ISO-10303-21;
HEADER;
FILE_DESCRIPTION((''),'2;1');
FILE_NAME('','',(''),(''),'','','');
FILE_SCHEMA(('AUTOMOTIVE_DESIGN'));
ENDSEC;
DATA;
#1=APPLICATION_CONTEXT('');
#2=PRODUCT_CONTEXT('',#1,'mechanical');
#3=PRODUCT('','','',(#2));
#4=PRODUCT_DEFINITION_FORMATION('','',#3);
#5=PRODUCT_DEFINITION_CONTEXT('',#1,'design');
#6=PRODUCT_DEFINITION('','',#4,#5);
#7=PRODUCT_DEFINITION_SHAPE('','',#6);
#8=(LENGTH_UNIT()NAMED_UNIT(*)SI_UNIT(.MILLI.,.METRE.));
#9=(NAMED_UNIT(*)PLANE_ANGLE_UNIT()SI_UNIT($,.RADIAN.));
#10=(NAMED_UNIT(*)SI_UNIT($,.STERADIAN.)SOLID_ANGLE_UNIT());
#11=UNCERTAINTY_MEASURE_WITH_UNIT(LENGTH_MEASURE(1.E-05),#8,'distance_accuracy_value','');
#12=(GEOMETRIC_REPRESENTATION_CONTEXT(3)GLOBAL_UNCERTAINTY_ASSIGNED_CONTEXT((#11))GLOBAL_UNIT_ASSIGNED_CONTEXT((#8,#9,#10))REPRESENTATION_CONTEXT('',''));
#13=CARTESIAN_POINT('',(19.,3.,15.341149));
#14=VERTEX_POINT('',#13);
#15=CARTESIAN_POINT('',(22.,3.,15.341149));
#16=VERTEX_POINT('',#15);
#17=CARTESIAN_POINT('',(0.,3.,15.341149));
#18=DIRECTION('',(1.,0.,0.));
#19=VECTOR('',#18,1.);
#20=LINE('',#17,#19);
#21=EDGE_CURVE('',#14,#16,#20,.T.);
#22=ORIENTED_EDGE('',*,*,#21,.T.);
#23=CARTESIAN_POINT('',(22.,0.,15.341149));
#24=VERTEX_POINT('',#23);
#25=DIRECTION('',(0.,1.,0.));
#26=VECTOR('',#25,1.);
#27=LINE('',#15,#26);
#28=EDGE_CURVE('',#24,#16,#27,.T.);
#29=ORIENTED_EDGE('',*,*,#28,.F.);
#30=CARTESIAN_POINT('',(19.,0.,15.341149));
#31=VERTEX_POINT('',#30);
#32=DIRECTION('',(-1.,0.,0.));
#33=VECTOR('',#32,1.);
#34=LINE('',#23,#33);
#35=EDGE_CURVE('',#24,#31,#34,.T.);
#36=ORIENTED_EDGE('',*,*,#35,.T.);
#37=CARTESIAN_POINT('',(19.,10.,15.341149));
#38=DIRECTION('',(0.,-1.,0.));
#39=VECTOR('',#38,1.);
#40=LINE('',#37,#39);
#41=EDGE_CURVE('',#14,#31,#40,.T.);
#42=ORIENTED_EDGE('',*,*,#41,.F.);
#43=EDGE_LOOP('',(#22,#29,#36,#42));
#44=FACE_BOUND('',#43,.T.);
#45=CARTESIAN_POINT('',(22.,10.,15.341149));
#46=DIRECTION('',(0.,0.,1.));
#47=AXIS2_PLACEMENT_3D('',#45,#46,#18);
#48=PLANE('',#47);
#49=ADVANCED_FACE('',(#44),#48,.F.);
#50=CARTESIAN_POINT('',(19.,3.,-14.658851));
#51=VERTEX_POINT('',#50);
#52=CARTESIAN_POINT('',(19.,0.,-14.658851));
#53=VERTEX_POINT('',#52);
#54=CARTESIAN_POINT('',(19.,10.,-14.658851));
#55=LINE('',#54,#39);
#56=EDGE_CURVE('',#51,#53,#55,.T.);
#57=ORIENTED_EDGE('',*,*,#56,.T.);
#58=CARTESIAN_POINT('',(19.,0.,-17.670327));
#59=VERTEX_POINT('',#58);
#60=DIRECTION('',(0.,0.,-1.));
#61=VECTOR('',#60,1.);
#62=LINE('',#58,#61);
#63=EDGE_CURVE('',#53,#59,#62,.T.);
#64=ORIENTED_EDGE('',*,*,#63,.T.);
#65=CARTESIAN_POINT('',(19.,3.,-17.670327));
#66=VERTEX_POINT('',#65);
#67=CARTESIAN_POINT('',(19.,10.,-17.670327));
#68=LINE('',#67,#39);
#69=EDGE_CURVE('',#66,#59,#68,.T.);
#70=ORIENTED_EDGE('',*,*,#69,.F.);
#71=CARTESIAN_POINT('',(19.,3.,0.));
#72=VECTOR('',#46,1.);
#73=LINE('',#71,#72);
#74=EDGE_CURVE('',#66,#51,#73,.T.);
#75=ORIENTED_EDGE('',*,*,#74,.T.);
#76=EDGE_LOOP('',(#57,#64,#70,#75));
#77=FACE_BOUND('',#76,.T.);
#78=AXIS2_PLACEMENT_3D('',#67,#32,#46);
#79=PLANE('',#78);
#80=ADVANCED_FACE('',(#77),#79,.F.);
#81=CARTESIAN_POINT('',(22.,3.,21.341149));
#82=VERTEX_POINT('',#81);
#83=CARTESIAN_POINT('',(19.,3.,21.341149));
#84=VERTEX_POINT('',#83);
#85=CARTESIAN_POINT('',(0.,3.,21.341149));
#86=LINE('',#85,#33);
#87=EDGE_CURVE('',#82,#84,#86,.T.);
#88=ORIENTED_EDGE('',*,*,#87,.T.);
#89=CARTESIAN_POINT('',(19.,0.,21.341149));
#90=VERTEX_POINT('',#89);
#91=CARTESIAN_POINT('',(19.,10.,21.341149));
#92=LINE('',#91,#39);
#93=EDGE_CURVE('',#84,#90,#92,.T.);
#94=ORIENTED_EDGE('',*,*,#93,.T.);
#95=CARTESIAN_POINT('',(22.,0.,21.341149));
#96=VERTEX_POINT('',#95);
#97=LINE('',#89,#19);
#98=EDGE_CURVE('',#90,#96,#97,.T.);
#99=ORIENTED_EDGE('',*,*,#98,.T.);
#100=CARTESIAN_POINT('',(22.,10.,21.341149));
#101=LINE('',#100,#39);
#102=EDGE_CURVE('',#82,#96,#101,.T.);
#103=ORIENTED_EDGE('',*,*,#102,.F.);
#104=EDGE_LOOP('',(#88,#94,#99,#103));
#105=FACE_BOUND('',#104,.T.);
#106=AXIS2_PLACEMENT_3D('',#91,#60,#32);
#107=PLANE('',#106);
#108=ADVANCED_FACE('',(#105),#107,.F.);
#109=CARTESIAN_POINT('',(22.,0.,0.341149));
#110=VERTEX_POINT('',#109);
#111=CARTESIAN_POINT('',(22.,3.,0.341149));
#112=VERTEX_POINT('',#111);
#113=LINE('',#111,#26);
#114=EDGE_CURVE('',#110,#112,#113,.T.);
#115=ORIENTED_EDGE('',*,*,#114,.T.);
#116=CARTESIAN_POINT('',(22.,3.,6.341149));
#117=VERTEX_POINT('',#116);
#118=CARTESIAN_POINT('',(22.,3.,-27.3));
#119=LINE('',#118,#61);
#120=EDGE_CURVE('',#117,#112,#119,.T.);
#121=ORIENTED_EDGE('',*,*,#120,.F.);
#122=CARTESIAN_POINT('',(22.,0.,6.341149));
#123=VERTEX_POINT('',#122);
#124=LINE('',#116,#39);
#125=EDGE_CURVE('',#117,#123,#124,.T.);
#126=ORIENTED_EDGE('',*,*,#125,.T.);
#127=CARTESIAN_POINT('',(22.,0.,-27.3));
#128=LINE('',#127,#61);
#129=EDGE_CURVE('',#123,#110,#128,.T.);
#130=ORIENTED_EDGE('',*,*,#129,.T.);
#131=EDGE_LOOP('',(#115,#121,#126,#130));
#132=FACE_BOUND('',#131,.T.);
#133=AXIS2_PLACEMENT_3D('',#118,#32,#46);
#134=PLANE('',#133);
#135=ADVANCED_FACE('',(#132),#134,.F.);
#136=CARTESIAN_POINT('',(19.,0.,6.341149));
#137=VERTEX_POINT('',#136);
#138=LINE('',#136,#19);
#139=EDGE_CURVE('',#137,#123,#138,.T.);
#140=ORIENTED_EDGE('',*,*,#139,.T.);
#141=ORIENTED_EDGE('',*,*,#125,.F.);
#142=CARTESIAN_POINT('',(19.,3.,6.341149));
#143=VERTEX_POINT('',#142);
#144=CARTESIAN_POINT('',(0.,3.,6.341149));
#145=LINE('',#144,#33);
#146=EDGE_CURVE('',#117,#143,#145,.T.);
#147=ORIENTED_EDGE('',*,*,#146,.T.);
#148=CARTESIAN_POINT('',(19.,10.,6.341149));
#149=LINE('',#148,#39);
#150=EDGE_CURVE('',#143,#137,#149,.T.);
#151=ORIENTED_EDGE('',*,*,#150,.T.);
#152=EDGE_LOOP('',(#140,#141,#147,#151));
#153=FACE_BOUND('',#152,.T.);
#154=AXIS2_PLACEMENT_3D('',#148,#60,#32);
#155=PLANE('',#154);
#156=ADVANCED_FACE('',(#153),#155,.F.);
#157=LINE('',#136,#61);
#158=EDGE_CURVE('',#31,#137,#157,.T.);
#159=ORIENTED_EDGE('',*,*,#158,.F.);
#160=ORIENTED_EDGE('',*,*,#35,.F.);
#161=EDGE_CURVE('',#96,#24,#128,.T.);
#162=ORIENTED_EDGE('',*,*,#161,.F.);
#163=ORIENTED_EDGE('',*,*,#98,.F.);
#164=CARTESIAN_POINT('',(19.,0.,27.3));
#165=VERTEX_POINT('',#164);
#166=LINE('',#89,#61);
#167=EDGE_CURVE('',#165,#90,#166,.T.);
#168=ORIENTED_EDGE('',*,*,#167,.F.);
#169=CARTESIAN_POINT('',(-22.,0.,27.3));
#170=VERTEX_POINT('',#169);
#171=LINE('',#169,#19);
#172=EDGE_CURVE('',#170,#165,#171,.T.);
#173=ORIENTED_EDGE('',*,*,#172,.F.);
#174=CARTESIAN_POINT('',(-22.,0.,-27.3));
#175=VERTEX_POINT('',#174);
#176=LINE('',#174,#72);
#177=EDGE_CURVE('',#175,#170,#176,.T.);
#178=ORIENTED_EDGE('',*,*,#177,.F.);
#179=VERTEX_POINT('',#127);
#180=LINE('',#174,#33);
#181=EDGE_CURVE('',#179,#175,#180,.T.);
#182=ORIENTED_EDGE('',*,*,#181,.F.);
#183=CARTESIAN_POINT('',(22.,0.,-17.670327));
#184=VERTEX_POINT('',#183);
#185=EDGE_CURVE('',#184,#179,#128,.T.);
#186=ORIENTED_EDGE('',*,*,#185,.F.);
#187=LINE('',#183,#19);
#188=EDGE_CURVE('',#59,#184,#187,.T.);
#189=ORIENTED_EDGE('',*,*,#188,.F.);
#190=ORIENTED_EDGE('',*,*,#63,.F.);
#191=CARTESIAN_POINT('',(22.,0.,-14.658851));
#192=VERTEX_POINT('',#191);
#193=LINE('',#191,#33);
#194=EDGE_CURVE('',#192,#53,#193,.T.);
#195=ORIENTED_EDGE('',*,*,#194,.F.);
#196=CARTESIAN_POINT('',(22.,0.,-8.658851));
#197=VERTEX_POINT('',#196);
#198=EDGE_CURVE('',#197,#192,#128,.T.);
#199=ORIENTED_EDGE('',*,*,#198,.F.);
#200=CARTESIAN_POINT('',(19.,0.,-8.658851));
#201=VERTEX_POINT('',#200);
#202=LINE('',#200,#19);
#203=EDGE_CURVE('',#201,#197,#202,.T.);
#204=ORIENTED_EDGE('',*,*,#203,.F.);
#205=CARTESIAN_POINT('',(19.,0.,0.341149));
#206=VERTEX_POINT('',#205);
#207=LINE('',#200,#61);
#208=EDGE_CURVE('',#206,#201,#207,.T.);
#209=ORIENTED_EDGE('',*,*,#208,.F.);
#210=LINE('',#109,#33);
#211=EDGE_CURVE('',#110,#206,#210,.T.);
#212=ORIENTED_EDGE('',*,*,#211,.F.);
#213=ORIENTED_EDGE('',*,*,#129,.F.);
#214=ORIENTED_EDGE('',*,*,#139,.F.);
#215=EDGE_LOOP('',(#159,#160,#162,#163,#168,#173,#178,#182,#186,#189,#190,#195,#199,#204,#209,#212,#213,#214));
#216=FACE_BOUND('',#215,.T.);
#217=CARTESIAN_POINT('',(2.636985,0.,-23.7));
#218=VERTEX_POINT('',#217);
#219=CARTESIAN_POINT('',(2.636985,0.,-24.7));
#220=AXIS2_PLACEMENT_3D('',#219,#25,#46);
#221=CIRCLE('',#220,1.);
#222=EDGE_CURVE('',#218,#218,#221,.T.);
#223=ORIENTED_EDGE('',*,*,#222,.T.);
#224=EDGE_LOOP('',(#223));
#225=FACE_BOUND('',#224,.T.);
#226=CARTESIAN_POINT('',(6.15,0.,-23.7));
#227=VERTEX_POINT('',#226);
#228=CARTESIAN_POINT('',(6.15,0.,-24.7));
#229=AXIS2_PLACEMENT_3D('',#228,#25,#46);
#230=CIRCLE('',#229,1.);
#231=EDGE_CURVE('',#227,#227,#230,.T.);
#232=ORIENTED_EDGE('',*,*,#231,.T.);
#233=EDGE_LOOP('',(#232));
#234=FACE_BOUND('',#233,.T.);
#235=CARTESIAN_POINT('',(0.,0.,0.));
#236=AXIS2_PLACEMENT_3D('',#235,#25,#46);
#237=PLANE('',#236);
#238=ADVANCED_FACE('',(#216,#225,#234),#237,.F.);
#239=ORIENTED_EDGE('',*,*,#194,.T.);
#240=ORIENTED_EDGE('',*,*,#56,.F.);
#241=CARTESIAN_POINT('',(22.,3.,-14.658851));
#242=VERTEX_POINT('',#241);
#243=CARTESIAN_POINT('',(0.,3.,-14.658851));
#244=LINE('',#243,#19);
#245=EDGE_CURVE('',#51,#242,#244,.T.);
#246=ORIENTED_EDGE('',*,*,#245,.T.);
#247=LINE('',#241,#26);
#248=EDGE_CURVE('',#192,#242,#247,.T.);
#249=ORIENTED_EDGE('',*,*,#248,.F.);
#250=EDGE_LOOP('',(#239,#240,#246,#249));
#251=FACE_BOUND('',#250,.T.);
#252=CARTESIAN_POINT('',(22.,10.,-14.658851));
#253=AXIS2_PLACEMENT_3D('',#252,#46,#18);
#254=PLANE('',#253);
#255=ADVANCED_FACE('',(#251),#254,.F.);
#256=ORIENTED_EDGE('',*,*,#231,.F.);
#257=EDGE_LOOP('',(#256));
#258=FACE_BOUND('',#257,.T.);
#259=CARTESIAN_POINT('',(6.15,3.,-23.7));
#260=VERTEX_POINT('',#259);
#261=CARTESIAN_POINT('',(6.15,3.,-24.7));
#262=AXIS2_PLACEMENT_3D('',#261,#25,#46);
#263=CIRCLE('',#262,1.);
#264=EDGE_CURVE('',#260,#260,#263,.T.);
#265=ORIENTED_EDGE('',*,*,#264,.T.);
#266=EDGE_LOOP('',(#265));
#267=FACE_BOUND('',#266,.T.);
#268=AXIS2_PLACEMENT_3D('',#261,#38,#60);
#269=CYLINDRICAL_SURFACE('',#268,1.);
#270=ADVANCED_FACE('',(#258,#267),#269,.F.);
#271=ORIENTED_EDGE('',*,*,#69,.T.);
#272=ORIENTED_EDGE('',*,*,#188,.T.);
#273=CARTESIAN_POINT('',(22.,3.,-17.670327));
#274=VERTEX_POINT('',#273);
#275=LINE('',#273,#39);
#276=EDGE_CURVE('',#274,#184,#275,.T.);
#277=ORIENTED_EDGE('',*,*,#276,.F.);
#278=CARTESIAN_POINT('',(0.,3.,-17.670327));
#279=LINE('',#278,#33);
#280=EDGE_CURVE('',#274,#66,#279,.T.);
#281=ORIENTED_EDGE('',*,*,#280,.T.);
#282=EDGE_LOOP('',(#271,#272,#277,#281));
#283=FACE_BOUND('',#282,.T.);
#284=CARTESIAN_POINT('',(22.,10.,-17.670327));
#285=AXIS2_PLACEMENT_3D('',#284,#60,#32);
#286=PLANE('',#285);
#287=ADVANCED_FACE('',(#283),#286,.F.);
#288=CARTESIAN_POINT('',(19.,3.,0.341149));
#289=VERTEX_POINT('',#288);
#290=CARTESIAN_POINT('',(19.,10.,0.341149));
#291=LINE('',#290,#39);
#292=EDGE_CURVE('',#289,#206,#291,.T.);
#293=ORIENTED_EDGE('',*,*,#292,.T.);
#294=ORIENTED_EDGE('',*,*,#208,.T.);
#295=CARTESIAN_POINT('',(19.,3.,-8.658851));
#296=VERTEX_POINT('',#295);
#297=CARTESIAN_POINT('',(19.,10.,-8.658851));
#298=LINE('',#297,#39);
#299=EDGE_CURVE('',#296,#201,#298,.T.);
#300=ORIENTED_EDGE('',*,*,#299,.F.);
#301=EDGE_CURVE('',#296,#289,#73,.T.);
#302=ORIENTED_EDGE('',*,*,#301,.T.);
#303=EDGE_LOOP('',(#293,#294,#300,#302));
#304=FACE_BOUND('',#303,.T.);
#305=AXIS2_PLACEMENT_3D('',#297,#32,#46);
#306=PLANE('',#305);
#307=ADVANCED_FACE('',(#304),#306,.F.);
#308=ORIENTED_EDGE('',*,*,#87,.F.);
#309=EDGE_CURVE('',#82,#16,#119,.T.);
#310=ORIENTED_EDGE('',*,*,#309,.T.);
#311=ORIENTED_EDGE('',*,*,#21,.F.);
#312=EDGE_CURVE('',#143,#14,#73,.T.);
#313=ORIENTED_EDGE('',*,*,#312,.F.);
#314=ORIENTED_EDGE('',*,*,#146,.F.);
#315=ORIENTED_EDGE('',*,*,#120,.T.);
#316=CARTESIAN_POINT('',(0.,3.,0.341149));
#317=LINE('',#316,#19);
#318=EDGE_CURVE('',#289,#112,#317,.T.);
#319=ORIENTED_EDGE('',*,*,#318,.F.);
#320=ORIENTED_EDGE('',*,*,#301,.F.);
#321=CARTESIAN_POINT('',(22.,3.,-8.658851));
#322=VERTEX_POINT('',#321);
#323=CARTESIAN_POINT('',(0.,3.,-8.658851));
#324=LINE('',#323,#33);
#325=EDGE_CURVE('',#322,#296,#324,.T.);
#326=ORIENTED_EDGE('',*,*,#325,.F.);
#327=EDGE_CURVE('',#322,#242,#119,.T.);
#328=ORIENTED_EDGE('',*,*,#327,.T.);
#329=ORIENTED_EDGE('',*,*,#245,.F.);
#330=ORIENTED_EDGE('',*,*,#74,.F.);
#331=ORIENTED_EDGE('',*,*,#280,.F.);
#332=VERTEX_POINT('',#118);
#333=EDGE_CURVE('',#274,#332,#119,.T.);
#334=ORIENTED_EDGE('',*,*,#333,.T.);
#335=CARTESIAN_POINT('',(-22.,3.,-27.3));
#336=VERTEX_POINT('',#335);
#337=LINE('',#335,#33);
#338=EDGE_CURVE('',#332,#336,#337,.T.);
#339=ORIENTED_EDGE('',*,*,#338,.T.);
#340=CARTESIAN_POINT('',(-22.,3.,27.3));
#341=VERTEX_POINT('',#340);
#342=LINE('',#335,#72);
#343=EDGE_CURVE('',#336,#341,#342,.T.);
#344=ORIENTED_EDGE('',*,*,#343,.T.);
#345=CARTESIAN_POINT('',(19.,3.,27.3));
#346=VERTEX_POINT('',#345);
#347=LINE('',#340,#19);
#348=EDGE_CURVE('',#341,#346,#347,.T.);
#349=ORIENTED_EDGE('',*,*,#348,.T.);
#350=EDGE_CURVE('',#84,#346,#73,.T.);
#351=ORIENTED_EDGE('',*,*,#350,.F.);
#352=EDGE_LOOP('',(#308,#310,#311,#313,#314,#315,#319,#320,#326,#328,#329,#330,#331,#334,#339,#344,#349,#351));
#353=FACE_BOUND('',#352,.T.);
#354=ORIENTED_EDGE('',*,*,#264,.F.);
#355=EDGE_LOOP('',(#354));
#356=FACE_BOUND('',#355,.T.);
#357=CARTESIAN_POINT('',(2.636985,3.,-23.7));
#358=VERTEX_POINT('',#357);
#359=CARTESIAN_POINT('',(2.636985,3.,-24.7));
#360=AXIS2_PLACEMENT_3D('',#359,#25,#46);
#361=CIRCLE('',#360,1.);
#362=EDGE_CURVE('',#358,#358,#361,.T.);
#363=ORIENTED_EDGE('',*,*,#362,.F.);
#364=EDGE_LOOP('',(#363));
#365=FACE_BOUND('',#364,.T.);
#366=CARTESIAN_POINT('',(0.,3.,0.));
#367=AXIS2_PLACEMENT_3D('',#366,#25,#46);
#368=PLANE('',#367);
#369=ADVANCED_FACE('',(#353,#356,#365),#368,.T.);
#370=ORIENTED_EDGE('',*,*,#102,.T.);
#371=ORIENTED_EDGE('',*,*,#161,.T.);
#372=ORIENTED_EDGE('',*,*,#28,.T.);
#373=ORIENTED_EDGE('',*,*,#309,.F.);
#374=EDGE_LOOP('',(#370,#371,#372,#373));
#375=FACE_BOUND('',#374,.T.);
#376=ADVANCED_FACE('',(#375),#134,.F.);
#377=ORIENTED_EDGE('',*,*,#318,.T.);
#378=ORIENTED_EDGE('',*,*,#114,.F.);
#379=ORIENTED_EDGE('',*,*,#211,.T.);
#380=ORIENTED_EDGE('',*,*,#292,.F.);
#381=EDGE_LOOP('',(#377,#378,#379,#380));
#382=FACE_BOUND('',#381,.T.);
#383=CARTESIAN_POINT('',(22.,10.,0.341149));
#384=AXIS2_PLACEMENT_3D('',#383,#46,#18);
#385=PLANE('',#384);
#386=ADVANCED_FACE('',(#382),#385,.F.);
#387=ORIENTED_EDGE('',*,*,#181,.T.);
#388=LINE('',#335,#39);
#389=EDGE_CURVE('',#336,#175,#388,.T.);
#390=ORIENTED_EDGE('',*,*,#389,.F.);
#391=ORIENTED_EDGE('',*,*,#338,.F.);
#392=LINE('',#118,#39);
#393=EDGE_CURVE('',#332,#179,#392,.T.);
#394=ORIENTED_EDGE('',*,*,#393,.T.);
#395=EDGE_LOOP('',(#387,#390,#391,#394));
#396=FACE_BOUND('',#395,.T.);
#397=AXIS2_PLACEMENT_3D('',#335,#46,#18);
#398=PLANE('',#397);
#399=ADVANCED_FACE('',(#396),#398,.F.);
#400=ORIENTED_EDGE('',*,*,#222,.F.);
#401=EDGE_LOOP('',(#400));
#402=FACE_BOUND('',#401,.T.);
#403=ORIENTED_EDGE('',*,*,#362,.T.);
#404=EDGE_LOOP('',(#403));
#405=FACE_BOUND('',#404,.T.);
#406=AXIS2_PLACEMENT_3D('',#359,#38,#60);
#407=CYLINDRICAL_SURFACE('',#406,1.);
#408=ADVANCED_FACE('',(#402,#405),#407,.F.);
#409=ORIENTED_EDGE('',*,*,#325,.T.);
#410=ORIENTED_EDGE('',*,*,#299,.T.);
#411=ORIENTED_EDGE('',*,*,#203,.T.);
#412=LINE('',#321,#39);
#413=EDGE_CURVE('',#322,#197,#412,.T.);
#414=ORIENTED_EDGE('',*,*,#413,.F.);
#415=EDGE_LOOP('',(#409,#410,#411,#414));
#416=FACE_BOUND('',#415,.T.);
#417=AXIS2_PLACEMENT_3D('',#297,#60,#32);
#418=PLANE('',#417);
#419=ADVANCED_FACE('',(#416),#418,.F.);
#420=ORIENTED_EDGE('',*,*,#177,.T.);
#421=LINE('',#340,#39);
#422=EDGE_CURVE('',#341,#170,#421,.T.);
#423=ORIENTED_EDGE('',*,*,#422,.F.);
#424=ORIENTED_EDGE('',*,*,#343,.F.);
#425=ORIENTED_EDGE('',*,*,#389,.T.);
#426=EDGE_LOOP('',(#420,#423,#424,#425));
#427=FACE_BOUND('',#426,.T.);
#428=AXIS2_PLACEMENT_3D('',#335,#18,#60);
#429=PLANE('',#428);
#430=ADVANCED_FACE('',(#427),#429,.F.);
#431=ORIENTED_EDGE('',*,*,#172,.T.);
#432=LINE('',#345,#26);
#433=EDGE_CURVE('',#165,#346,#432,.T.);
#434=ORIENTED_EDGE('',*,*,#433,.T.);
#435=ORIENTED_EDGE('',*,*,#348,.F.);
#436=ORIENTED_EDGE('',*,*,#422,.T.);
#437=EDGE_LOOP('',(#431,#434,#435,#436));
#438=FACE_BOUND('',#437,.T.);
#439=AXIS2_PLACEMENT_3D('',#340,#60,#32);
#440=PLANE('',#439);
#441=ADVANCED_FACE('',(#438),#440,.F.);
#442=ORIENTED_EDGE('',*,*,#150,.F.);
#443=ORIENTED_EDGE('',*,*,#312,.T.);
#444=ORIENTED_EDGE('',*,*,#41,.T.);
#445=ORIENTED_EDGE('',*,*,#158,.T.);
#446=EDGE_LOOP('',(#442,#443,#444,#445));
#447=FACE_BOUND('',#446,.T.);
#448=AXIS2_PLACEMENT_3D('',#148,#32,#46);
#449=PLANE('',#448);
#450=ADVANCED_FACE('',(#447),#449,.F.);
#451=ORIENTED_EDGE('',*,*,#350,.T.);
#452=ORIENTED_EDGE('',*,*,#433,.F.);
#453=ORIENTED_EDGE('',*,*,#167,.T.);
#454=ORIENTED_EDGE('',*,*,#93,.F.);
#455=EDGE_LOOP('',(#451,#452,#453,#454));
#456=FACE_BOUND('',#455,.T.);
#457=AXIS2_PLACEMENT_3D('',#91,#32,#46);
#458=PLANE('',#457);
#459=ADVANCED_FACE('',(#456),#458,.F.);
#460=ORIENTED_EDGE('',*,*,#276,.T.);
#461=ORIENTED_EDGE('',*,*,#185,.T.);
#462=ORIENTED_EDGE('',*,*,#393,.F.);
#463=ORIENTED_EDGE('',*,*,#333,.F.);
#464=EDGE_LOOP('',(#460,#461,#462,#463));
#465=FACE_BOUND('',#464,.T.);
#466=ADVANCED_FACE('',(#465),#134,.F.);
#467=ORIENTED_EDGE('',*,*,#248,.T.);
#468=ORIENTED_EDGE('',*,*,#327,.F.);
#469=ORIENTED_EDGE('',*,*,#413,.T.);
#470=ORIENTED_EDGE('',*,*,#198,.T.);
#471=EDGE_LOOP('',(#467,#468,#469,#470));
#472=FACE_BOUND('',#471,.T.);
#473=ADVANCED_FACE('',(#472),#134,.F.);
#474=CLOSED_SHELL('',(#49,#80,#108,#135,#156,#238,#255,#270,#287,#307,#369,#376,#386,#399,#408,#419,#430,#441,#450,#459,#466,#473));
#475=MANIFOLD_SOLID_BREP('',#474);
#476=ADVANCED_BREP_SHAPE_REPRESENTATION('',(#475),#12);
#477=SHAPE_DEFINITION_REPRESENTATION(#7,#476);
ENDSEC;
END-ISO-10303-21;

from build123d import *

# Parameters (mm, degrees)
SKETCH1_W           = 44
SKETCH1_H           = 54.6
SKETCH1_R           = 1
BOSS_EXTRUDE1_DEPTH = 3
SKETCH2_W           = 3
SKETCH2_H           = 3.011475899
SKETCH2_H_2         = 9
SKETCH2_H_3         = 5.958851055
CUT_EXTRUDE2_DEPTH  = 10


with BuildPart() as part:
    # Sketch1 → Boss-Extrude1 (new body)
    with BuildSketch(Plane(origin=(0, 0, 0), x_dir=(1, 0, 0), z_dir=(0, 1, 0))):
        Rectangle(SKETCH1_W, SKETCH1_H)
        with Locations(Location((2.636984901, 24.7, 0), (0, 0, 270))):
            Circle(SKETCH1_R, mode=Mode.SUBTRACT)
        with Locations(Location((6.15, 24.7, 0), (0, 0, 270))):
            Circle(SKETCH1_R, mode=Mode.SUBTRACT)
    extrude(amount=BOSS_EXTRUDE1_DEPTH)

    # Sketch2 → Cut-Extrude2 (cut)
    with BuildSketch(Plane.XZ):
        with Locations((20.5, -16.164589005)):
            Rectangle(SKETCH2_W, SKETCH2_H)
        with Locations((20.5, -4.158851055)):
            Rectangle(SKETCH2_W, SKETCH2_H_2)
        with Locations((20.5, 10.841148945)):
            Rectangle(SKETCH2_W, SKETCH2_H_2)
        with Locations((20.5, 24.320574472)):
            Rectangle(SKETCH2_W, SKETCH2_H_3)
    extrude(amount=-CUT_EXTRUDE2_DEPTH, mode=Mode.SUBTRACT)


solid = part.part
